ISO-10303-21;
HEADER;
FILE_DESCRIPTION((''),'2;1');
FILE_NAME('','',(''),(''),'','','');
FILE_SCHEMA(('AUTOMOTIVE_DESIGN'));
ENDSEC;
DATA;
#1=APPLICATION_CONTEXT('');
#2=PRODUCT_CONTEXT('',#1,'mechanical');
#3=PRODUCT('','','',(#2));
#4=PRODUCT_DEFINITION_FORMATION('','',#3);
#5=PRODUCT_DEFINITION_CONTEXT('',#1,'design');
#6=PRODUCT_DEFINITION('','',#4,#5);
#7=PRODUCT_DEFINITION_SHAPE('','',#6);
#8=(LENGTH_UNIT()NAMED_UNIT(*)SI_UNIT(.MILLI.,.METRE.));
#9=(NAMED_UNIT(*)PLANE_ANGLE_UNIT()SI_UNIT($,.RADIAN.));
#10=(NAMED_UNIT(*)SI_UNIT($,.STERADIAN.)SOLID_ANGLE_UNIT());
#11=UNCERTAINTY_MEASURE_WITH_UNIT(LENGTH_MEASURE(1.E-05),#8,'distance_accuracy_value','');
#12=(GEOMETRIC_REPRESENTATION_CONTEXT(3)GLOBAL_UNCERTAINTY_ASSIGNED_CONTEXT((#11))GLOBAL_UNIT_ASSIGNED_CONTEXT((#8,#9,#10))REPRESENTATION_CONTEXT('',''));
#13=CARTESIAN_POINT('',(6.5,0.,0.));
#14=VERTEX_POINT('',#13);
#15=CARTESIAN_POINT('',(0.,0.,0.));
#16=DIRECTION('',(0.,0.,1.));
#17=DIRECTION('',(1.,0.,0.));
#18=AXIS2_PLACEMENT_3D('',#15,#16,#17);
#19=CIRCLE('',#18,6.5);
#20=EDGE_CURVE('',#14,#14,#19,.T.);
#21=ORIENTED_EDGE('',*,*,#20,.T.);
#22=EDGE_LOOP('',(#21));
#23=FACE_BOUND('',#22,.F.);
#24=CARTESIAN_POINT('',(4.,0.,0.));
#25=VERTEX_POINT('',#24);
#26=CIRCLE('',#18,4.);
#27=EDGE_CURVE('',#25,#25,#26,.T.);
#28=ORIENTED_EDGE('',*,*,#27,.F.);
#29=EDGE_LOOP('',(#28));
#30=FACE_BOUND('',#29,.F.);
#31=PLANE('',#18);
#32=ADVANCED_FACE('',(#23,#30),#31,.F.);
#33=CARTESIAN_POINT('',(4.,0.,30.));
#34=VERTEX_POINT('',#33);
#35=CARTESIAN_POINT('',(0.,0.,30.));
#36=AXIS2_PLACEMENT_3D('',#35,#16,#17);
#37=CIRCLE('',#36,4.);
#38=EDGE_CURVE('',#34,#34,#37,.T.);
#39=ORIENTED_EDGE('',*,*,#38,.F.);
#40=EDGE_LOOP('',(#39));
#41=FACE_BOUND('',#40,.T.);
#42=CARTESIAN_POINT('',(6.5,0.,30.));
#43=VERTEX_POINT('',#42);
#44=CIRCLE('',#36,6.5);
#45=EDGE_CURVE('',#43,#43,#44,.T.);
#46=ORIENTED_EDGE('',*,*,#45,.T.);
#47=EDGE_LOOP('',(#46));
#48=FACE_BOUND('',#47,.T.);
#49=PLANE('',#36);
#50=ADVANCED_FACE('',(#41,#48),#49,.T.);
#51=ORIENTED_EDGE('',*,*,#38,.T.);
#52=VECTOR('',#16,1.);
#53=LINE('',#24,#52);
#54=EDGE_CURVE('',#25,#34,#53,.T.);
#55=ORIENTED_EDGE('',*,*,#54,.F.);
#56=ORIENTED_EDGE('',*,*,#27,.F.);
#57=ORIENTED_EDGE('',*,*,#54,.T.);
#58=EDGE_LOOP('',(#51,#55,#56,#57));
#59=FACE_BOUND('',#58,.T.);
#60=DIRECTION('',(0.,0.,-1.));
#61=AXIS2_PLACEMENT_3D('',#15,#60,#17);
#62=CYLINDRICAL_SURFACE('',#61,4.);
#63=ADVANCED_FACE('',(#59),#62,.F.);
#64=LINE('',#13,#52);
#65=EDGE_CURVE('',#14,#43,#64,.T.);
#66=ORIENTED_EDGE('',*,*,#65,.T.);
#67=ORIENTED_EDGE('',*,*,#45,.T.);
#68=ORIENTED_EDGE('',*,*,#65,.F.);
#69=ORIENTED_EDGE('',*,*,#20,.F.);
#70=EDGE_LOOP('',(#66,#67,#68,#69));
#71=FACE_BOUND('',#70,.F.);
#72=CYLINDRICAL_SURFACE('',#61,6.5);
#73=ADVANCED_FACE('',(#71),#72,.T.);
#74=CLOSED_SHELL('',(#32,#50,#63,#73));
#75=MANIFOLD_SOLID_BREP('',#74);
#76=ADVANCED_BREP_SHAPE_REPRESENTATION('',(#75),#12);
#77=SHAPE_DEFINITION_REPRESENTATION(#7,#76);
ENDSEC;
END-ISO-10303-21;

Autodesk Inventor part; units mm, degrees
ref_plane "YZ Plane" through (0, 0, 0) normal (1, 0, 0) x (0, 1, 0)
ref_plane "XZ Plane" through (0, 0, 0) normal (0, 1, 0) x (-1, 0, 0)
ref_plane "XY Plane" through (0, 0, 0) normal (0, 0, 1) x (1, 0, 0)
sketch "Sketch1" plane through (0, 0, 0) normal (0, 0, 1) x (1, 0, 0)
  circle A0 centre (0, 0) radius 4
  circle A1 centre (0, 0) radius 6.5
  dimension "d0" = 8
  dimension "d1" = 13
extrude "Extrusion1" add sketch "Sketch1" along normal blind 30
properties part number "Battery Spacer"
